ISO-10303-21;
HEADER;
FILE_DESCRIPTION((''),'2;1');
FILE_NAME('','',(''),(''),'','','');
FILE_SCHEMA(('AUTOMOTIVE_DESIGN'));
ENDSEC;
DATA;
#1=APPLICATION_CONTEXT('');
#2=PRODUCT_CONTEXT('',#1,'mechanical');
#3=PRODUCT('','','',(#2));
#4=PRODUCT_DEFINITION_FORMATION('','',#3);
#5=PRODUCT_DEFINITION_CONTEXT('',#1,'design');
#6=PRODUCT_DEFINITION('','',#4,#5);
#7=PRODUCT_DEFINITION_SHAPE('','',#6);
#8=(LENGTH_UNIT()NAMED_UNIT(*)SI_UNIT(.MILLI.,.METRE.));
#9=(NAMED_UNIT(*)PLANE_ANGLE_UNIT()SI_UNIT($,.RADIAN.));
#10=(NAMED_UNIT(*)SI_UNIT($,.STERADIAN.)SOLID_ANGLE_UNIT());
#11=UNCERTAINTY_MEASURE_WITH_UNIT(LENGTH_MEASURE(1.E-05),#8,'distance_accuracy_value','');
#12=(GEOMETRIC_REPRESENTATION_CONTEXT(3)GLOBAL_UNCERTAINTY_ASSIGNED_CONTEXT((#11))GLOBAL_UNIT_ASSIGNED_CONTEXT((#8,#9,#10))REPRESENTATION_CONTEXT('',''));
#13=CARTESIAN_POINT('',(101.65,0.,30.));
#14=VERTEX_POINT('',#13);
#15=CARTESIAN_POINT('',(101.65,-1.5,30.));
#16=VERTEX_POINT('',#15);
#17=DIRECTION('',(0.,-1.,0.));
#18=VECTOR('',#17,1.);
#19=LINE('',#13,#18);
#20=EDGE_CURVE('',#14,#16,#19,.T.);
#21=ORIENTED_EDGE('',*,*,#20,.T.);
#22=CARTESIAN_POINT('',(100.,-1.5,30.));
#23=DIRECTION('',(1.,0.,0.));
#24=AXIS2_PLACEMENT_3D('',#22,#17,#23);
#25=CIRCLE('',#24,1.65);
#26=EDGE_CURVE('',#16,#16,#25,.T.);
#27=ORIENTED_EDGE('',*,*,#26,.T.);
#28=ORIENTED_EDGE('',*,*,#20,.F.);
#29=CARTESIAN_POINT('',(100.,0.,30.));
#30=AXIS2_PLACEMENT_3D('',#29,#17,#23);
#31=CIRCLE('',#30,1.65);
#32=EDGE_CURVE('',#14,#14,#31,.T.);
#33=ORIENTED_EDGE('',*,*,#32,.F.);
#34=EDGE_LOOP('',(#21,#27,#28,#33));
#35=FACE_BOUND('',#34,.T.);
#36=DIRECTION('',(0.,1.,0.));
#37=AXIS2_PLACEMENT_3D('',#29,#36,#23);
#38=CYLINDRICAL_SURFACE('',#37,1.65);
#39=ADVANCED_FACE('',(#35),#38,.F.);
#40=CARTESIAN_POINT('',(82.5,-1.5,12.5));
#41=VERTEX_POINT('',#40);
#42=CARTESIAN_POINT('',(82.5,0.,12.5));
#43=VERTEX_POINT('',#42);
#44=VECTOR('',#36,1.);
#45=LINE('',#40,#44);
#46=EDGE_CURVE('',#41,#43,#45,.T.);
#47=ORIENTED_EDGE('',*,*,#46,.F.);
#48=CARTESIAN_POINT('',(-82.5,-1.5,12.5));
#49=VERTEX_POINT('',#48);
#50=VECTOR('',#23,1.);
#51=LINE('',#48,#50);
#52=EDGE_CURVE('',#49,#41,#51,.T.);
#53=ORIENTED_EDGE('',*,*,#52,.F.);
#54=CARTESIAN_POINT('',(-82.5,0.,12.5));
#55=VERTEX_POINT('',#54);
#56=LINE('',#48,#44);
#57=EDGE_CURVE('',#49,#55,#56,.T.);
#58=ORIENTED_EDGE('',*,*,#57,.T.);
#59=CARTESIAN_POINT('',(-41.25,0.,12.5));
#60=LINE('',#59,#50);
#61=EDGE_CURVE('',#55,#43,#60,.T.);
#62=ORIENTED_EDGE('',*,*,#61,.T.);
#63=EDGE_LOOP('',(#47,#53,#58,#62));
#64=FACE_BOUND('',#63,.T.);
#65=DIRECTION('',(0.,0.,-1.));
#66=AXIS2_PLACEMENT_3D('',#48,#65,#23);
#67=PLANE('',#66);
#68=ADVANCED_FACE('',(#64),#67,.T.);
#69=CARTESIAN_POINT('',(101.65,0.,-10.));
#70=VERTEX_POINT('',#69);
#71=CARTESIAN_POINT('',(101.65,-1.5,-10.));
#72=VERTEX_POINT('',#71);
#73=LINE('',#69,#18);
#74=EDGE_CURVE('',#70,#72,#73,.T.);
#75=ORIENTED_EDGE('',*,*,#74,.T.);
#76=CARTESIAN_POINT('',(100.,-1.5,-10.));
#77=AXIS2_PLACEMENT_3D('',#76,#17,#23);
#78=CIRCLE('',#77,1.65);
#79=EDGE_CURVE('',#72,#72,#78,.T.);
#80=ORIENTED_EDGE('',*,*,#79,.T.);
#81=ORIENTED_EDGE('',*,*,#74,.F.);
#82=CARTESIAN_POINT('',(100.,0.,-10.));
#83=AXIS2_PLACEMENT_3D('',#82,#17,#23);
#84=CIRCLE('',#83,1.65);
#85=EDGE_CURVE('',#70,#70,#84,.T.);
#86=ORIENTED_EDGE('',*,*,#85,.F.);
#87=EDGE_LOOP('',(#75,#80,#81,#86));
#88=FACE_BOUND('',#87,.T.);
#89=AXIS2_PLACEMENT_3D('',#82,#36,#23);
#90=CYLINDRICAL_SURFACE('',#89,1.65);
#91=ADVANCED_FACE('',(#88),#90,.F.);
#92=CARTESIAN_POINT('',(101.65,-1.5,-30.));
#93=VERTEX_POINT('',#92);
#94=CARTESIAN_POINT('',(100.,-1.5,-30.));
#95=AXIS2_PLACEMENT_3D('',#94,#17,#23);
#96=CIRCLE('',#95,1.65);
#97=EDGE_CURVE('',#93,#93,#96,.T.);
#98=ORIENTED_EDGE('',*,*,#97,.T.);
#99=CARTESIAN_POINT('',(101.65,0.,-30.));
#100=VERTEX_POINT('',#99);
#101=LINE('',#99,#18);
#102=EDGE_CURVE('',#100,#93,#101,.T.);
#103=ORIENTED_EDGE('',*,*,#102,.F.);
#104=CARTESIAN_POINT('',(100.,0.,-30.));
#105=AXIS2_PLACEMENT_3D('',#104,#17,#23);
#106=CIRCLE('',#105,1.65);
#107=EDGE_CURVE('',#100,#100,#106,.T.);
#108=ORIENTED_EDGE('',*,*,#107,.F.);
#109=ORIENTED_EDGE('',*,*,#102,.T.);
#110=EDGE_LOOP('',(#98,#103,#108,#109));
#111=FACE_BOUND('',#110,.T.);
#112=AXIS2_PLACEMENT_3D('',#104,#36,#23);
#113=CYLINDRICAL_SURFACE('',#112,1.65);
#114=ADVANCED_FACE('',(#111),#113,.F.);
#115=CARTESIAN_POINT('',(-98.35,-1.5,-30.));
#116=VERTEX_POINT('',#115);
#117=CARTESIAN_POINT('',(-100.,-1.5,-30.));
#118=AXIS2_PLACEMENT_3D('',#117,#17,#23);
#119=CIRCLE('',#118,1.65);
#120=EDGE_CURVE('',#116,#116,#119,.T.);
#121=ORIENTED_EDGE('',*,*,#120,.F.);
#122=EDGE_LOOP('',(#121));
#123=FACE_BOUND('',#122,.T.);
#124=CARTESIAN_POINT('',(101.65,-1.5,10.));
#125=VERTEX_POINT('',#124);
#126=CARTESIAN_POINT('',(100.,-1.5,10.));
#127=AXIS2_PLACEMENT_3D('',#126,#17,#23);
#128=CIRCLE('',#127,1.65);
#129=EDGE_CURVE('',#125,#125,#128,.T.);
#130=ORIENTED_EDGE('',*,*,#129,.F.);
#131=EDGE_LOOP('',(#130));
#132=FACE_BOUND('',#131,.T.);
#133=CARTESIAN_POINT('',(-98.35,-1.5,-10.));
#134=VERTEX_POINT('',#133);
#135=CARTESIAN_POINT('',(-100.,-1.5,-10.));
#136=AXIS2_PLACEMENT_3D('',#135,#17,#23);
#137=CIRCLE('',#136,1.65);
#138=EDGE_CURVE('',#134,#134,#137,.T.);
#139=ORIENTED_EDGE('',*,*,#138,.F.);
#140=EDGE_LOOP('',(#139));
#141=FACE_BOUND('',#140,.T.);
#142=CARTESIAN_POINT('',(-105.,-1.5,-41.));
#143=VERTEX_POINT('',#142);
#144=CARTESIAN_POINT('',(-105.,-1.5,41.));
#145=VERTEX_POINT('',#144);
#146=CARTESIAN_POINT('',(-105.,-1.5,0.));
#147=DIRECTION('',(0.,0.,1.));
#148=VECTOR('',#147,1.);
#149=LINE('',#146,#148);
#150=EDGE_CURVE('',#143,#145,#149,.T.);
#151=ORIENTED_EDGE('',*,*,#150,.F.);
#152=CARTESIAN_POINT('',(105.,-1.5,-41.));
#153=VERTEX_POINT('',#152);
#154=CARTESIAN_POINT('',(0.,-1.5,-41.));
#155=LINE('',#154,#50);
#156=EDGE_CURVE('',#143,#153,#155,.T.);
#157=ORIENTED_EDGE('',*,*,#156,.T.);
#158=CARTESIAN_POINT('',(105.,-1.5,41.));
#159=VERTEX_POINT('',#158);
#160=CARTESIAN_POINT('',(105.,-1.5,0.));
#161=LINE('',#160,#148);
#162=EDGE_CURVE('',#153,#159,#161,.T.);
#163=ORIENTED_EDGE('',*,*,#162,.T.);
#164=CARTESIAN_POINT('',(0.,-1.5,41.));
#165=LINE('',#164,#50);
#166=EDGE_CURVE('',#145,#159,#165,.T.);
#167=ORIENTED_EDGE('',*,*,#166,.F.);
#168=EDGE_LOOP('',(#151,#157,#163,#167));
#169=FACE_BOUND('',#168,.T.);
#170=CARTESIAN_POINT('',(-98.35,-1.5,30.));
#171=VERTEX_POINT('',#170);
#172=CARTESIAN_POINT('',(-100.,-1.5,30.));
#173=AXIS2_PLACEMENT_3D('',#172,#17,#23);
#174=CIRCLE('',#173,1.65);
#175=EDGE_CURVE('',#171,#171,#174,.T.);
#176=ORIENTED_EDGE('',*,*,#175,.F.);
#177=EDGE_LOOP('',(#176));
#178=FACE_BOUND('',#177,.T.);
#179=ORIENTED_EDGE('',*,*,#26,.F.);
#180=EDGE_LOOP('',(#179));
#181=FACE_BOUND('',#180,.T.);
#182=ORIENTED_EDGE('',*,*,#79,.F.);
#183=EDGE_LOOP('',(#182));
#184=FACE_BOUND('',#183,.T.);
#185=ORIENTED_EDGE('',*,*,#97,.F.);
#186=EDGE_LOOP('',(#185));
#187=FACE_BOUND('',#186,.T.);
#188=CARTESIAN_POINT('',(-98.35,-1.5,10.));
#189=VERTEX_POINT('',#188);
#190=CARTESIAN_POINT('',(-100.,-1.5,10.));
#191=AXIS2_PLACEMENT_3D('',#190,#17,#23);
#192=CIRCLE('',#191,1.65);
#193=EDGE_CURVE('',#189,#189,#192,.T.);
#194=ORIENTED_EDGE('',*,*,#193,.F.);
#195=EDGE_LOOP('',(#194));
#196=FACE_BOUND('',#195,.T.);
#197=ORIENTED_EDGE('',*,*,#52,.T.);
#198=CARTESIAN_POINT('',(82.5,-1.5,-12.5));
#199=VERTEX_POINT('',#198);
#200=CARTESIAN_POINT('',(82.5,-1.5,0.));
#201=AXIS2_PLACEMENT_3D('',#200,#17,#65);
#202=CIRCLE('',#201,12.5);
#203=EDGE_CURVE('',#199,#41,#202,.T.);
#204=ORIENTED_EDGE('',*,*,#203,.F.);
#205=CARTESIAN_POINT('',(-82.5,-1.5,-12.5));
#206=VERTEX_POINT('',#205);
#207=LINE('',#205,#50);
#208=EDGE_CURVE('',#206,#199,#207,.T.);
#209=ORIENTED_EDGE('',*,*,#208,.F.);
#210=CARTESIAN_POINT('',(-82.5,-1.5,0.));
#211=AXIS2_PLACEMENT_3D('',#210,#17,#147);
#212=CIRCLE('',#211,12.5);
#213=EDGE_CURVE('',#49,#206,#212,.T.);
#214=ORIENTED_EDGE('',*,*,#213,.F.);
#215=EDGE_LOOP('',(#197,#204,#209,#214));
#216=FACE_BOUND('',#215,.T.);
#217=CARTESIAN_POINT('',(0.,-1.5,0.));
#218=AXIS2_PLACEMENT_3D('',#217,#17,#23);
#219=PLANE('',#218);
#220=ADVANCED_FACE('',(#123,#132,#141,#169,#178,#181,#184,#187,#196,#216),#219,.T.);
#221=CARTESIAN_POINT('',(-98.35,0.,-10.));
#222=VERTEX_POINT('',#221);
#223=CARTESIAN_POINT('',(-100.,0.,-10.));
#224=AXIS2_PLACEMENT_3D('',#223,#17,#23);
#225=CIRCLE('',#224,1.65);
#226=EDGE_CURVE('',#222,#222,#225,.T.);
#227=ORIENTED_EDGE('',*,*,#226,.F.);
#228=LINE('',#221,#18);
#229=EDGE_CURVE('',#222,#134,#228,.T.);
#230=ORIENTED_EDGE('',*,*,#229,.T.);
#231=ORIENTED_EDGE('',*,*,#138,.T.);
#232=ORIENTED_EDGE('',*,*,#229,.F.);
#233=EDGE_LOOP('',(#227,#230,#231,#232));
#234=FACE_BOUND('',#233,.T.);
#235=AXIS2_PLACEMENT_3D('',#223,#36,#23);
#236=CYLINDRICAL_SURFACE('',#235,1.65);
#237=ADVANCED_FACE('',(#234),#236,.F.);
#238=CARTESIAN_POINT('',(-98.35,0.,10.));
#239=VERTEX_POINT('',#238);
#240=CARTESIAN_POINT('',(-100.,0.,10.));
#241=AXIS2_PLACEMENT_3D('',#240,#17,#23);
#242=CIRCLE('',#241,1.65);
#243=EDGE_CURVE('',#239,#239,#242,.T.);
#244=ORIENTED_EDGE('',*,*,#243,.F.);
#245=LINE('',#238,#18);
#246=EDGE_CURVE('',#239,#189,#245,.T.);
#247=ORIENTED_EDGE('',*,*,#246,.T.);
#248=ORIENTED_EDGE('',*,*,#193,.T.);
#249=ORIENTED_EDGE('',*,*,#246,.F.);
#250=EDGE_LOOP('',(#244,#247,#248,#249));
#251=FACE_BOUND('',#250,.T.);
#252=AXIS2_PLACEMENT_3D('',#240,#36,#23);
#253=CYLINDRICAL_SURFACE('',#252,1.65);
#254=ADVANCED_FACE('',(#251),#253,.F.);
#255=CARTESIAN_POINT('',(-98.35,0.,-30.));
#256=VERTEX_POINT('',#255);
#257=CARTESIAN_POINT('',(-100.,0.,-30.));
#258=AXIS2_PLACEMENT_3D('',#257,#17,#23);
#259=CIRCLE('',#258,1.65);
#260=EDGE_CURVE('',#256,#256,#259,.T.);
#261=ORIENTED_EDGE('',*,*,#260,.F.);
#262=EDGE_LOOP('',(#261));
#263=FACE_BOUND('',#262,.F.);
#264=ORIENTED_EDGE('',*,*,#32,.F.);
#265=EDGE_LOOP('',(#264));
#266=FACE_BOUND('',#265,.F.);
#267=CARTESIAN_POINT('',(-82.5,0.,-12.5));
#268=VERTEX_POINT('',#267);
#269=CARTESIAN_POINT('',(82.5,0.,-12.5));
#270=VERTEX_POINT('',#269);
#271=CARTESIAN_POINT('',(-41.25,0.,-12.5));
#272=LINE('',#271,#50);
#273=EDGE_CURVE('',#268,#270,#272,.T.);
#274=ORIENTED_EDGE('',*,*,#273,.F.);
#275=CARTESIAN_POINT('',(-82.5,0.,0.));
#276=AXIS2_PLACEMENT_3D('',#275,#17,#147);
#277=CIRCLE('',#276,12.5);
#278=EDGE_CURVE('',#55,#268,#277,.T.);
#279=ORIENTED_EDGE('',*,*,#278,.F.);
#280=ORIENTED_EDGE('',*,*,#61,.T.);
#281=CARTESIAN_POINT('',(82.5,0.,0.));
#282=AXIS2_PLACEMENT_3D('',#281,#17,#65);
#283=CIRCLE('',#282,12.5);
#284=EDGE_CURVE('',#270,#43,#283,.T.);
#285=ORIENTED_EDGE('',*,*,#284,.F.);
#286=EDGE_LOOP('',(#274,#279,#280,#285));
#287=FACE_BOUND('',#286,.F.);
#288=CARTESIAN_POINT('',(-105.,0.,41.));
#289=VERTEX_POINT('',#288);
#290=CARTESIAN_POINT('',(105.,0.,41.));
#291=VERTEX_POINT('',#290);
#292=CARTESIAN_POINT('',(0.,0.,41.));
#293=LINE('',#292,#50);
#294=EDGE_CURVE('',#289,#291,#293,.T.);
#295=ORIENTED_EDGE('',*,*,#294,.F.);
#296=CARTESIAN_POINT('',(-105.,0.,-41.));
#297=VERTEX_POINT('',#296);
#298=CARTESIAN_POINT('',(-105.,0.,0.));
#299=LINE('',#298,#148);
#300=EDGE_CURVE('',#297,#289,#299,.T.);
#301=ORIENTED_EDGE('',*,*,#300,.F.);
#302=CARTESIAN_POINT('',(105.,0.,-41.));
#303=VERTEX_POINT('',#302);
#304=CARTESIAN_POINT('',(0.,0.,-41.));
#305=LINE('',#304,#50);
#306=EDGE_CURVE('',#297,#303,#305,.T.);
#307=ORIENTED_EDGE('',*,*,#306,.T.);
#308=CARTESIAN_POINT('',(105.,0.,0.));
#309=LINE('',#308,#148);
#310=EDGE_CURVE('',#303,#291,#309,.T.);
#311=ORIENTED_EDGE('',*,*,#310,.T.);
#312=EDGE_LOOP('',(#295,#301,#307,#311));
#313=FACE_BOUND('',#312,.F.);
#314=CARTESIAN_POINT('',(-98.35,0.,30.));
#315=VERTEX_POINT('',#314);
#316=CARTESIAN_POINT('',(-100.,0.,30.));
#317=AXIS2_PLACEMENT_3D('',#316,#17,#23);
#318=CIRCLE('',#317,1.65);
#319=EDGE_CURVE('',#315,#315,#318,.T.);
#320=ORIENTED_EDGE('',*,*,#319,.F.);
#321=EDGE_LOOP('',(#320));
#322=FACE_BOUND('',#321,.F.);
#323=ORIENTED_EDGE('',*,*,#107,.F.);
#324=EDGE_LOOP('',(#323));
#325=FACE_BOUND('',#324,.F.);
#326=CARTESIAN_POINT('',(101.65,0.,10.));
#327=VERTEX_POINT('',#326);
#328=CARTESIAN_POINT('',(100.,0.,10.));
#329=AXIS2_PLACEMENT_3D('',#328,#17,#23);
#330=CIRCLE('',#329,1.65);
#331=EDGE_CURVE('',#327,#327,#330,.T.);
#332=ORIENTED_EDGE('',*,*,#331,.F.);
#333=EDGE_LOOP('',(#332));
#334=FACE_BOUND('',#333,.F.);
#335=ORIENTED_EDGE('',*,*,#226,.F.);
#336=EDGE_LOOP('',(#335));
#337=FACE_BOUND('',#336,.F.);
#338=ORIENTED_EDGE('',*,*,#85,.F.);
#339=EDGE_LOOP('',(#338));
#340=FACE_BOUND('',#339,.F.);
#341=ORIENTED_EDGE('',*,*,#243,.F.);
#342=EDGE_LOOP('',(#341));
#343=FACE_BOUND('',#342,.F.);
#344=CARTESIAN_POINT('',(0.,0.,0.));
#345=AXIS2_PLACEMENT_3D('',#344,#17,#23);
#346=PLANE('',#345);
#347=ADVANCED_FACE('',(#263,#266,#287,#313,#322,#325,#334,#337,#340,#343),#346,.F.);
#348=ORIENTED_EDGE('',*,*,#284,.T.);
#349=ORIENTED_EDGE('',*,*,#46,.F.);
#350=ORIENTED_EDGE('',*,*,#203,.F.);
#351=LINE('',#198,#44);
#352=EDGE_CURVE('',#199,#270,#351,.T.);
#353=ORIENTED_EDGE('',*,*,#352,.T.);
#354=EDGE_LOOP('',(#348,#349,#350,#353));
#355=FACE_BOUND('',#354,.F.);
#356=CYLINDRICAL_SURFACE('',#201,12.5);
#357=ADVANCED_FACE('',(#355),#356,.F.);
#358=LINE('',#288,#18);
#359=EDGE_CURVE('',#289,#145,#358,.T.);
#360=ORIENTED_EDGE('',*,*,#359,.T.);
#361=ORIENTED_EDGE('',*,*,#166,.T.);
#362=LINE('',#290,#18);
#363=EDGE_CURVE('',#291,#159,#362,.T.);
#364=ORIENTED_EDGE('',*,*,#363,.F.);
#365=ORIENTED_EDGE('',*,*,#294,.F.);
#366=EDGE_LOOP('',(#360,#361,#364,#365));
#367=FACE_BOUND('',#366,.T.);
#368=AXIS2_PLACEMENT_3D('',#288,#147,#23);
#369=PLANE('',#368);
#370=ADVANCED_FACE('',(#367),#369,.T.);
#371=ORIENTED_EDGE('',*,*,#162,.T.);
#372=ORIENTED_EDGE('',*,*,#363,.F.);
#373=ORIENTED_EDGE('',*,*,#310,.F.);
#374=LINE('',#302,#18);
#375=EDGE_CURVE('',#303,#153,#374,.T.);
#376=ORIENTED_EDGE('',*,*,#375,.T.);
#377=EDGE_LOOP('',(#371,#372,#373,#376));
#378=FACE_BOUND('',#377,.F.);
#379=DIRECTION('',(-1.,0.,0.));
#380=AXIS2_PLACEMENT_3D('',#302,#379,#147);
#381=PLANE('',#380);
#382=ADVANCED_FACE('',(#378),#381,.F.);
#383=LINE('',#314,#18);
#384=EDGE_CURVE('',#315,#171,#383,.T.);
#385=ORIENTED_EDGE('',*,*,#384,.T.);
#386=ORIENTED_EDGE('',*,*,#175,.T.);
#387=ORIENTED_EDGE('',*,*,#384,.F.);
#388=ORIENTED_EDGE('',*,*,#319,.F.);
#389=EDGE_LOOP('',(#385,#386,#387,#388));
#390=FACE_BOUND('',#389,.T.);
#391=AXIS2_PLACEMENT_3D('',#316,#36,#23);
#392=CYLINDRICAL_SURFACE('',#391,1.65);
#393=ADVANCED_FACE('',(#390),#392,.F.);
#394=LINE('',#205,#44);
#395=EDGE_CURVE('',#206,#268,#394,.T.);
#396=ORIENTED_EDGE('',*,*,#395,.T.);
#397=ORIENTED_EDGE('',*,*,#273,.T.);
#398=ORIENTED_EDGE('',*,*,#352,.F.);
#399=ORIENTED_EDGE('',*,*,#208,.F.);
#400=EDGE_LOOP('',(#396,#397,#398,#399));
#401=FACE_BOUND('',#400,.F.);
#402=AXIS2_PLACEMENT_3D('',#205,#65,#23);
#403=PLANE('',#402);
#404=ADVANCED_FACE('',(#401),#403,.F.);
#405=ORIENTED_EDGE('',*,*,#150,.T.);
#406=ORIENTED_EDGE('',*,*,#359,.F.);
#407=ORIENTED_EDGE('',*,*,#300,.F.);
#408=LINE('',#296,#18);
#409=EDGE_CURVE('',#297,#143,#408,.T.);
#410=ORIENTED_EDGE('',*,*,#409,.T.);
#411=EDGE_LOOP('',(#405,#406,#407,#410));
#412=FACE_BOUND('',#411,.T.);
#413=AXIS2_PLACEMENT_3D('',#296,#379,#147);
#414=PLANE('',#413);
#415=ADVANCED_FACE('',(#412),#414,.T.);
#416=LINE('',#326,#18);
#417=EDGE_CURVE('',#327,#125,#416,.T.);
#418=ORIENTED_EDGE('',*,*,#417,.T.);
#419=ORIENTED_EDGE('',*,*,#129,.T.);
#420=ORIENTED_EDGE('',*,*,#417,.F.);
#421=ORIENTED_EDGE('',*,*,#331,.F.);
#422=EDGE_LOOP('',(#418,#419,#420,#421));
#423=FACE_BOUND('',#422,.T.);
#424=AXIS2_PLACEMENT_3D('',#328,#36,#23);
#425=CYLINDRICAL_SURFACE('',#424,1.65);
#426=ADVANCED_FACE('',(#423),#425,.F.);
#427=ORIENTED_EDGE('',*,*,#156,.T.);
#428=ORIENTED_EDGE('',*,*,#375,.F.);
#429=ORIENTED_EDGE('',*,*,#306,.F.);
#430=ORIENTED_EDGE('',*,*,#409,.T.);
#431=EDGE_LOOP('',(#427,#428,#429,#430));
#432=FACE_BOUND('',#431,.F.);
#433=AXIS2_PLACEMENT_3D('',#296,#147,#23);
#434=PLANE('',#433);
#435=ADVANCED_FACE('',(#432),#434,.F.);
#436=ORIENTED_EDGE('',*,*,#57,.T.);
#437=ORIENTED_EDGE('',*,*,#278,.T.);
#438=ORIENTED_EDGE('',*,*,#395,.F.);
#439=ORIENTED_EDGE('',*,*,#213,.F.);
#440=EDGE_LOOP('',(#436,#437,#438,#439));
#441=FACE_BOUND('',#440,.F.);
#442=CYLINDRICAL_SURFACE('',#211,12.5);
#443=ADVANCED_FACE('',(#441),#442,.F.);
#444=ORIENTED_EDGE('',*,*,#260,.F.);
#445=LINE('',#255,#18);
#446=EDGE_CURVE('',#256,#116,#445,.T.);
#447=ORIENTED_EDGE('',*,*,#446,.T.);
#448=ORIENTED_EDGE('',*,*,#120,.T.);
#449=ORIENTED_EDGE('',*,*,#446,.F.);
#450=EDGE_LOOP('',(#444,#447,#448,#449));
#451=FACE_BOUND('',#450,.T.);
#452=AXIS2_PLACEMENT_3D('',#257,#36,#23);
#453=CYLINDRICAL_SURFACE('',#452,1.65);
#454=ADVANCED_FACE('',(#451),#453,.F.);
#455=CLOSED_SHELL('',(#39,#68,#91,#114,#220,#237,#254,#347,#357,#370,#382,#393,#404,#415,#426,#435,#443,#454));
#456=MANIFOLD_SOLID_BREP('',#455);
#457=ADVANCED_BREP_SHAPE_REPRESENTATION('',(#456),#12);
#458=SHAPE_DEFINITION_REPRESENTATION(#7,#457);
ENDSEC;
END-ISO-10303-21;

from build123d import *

# Parameters (mm, degrees)
SKETCH_W     = 210
SKETCH_H     = 82
SKETCH_R     = 1.65
PAD_DEPTH    = 1.5
POCKET_DEPTH = 1.501


with BuildPart() as part:
    # Sketch → Pad (new body)
    with BuildSketch(Plane.XZ):
        Rectangle(SKETCH_W, SKETCH_H)
        with Locations((100, 30)):
            Circle(SKETCH_R, mode=Mode.SUBTRACT)
        with Locations((100, 10)):
            Circle(SKETCH_R, mode=Mode.SUBTRACT)
        with Locations((100, -30)):
            Circle(SKETCH_R, mode=Mode.SUBTRACT)
        with Locations((100, -10)):
            Circle(SKETCH_R, mode=Mode.SUBTRACT)
        with Locations((-100, 30)):
            Circle(SKETCH_R, mode=Mode.SUBTRACT)
        with Locations((-100, 10)):
            Circle(SKETCH_R, mode=Mode.SUBTRACT)
        with Locations((-100, -30)):
            Circle(SKETCH_R, mode=Mode.SUBTRACT)
        with Locations((-100, -10)):
            Circle(SKETCH_R, mode=Mode.SUBTRACT)
    extrude(amount=PAD_DEPTH)

    # Sketch002 → Pocket (cut, through all)
    with BuildSketch(Plane.XZ.offset(1.5)):
        with BuildLine():
            ThreePointArc((-82.5, 12.5), (-95, 0), (-82.5, -12.5))
            Line((-82.5, -12.5), (82.5, -12.5))
            ThreePointArc((82.5, -12.5), (95, 0), (82.5, 12.5))
            Line((-82.5, 12.5), (82.5, 12.5))
        make_face()
    extrude(amount=-POCKET_DEPTH, mode=Mode.SUBTRACT)


solid = part.part
